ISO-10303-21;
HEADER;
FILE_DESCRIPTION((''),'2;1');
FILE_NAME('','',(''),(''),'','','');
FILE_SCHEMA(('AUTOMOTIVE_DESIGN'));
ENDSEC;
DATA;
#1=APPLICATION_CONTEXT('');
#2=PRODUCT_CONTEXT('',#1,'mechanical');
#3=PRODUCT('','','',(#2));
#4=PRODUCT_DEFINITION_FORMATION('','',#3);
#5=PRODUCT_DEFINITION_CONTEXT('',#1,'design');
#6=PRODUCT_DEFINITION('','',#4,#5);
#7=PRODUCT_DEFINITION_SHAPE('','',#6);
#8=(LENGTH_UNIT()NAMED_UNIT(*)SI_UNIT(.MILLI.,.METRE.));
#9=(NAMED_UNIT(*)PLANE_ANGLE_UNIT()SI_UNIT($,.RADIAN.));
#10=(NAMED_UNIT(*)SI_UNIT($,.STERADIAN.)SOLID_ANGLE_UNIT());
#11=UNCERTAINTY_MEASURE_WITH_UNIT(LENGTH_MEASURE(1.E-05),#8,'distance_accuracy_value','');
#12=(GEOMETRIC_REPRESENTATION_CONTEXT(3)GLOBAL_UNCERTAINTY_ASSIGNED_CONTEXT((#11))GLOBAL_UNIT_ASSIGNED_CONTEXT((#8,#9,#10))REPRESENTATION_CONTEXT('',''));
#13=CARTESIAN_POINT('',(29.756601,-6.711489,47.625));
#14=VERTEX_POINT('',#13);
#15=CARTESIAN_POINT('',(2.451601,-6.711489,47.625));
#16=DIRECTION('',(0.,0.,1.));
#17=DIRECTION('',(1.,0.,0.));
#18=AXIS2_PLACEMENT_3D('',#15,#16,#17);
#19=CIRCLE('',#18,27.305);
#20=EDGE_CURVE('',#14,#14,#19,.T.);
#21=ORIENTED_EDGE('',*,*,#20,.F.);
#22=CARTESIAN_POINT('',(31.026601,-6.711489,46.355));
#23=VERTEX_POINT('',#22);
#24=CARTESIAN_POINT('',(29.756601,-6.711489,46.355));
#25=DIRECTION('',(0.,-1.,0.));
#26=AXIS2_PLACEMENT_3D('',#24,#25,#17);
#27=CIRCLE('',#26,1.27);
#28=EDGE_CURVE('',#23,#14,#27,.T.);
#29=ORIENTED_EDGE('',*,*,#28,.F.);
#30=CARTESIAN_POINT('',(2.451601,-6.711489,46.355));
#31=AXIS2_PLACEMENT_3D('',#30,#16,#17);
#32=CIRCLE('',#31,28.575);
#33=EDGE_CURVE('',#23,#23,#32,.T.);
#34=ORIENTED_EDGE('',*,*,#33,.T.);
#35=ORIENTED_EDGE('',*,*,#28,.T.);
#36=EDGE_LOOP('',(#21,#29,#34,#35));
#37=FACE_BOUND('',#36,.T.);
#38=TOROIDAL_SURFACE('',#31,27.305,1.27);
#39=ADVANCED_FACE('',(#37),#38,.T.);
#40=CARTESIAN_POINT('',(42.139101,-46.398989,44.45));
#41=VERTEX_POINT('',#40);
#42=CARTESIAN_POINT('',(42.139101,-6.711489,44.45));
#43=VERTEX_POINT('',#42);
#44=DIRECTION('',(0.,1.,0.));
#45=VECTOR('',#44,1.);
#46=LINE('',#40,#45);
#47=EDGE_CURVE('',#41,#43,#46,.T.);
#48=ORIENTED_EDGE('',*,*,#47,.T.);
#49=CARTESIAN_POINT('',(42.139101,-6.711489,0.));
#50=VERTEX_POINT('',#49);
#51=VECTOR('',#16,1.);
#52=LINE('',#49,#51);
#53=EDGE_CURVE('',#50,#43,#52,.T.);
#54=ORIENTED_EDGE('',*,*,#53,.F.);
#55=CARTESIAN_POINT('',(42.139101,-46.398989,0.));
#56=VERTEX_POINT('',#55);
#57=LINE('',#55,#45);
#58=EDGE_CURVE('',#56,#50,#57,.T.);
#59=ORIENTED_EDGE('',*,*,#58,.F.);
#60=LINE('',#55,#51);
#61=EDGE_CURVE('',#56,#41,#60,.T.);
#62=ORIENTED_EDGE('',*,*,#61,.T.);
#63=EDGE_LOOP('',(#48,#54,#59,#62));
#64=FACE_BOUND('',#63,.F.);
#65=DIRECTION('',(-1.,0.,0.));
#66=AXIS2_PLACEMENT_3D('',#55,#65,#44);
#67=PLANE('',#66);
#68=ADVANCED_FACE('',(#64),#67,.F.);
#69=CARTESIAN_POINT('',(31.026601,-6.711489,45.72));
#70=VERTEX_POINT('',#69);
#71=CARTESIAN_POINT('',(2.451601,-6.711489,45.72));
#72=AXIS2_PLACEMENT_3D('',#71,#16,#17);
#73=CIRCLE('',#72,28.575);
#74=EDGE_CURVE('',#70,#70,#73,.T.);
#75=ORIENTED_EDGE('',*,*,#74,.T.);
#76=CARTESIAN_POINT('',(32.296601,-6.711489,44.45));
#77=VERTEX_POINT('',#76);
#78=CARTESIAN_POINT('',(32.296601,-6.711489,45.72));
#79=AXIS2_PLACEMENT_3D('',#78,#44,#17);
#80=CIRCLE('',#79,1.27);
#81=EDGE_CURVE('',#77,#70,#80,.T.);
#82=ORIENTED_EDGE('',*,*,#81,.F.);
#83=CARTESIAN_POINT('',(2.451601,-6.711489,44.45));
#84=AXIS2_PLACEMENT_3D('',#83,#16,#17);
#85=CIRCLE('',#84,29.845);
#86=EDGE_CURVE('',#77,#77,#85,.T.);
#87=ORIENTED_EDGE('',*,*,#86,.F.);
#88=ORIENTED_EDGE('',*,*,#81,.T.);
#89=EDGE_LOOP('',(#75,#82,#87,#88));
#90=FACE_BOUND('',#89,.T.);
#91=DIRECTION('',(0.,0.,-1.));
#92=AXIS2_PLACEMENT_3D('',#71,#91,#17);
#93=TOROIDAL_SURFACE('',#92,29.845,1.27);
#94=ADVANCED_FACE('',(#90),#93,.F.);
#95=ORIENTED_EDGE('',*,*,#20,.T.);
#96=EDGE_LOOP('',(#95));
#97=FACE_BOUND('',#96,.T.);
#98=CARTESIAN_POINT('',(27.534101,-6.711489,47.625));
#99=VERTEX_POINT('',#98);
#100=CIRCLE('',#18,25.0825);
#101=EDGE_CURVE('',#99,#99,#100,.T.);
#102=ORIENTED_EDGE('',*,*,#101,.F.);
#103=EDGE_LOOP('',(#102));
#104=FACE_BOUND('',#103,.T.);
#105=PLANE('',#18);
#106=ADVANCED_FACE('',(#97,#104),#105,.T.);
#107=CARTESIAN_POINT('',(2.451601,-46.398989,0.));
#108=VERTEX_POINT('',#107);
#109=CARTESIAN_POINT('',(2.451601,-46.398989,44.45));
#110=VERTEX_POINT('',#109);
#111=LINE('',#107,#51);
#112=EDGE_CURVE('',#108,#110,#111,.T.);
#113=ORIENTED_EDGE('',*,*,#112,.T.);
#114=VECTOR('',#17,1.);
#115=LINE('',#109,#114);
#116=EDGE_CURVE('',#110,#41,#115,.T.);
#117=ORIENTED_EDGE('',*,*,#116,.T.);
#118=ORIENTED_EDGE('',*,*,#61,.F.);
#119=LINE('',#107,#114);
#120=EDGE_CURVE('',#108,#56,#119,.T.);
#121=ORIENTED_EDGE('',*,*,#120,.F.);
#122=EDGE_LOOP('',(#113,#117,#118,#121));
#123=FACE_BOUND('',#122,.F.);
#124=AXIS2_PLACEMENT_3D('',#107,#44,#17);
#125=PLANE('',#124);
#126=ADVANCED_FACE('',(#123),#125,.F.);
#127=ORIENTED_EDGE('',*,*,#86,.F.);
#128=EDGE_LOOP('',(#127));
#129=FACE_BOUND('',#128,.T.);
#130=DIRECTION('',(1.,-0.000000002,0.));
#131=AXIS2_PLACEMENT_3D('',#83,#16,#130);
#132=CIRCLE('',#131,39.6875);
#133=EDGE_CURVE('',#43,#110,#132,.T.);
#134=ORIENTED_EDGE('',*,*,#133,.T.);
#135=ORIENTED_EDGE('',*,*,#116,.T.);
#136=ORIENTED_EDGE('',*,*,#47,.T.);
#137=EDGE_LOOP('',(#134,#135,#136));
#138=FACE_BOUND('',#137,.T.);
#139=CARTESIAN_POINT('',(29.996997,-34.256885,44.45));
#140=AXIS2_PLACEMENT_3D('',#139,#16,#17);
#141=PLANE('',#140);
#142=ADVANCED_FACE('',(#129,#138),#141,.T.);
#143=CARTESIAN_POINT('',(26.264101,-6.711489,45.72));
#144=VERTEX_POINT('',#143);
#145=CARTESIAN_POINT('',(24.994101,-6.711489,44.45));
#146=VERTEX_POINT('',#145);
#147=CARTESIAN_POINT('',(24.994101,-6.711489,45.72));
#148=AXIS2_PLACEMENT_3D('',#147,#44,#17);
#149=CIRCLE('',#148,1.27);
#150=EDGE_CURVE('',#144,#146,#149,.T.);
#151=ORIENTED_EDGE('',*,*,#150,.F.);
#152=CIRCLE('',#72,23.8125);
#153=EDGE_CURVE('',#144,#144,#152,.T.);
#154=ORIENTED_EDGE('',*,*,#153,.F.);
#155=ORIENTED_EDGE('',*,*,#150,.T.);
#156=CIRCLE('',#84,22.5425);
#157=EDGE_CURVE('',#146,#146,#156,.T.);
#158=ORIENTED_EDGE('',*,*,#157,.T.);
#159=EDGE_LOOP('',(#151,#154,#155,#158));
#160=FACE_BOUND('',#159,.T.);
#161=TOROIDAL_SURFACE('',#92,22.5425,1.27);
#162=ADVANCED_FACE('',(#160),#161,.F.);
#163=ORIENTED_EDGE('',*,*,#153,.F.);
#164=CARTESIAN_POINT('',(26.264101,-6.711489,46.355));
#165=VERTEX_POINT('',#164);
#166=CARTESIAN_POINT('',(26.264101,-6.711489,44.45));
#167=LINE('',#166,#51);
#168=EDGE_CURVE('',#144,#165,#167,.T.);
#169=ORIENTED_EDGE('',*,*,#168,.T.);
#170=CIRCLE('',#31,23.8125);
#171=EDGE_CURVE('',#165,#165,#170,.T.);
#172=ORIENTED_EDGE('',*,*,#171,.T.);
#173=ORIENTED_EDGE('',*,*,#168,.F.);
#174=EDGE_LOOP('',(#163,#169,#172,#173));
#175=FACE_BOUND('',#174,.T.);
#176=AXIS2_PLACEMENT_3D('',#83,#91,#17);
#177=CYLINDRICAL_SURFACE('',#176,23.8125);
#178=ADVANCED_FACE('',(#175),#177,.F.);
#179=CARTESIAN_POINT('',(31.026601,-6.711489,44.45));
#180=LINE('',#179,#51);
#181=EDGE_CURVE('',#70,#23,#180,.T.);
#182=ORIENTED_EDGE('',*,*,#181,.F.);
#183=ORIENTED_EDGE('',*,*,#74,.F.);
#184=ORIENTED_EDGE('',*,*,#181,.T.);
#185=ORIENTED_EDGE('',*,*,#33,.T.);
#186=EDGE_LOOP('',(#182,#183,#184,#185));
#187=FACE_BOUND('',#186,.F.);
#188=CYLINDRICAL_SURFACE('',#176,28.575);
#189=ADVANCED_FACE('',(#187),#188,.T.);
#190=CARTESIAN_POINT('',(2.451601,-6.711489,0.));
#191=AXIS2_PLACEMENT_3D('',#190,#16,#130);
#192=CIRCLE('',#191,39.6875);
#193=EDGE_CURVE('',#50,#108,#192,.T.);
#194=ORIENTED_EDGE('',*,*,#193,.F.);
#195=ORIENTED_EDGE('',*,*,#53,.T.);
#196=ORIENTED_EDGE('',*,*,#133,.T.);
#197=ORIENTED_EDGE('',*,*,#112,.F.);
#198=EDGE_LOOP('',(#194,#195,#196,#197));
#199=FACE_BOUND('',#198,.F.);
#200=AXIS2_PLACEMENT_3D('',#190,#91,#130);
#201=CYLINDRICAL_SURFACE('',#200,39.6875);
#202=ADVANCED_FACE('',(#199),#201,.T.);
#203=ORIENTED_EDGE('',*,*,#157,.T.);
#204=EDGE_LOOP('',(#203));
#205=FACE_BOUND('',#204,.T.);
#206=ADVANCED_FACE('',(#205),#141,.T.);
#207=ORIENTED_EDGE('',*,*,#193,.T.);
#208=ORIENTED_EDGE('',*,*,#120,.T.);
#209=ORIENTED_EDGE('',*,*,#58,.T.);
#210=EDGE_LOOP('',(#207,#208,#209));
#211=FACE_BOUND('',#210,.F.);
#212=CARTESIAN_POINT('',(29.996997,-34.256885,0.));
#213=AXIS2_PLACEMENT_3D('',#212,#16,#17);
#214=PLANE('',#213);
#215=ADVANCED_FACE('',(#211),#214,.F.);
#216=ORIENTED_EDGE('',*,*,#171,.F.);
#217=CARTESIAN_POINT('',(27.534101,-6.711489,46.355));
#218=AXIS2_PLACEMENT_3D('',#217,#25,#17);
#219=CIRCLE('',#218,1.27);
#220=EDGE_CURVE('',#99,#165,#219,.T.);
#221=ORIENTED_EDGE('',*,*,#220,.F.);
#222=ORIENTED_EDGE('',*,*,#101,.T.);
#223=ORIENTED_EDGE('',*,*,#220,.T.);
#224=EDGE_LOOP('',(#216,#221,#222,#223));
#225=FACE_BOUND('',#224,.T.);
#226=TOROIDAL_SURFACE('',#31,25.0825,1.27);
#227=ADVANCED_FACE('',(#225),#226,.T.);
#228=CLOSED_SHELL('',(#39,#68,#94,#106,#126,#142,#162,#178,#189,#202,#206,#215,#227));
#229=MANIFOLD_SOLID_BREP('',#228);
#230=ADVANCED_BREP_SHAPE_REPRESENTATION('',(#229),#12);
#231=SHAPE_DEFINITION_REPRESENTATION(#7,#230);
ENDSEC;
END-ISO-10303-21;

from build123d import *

# Parameters (mm, degrees)
F1_DEPTH = 44.45
F2_R     = 28.575
F2_R_2   = 23.8125
F3_DEPTH = 3.175
F4_R     = 1.27


with BuildPart() as f1:
    # F0 (on Top) → F1 (new body)
    with BuildSketch(Plane.XY):
        with BuildLine():
            Line((42.139101, -46.398989), (42.139101, -6.711489))
            ThreePointArc((42.139101, -6.711489), (30.514902, -34.774789), (2.451601, -46.398989))
            Line((2.451601, -46.398989), (42.139101, -46.398989))
        make_face()
        with BuildLine():
            ThreePointArc((2.451601, -46.398989), (30.514902, -34.774789), (42.139101, -6.711489))
            ThreePointArc((42.139101, -6.711489), (-25.611699, 21.351812), (2.451601, -46.398989))
        make_face()
    extrude(amount=F1_DEPTH)

    # F2 (on face) → F3 (join)
    with BuildSketch(Plane.XY.offset(44.45)):
        with Locations((2.451601, -6.711489)):
            Circle(F2_R)
        with Locations((2.451601, -6.711489)):
            Circle(F2_R_2, mode=Mode.SUBTRACT)
    extrude(amount=F3_DEPTH)

    # F4
    f4_edges = [f1.edges().sort_by_distance(p)[0] for p in [
        (-26.123399, -6.711489, 47.625),
        (-21.360899, -6.711489, 47.625),
        (-26.123399, -6.711489, 44.45),
        (-21.360899, -6.711489, 44.45),
    ]]
    fillet(f4_edges, radius=F4_R)


solid = f1.part
